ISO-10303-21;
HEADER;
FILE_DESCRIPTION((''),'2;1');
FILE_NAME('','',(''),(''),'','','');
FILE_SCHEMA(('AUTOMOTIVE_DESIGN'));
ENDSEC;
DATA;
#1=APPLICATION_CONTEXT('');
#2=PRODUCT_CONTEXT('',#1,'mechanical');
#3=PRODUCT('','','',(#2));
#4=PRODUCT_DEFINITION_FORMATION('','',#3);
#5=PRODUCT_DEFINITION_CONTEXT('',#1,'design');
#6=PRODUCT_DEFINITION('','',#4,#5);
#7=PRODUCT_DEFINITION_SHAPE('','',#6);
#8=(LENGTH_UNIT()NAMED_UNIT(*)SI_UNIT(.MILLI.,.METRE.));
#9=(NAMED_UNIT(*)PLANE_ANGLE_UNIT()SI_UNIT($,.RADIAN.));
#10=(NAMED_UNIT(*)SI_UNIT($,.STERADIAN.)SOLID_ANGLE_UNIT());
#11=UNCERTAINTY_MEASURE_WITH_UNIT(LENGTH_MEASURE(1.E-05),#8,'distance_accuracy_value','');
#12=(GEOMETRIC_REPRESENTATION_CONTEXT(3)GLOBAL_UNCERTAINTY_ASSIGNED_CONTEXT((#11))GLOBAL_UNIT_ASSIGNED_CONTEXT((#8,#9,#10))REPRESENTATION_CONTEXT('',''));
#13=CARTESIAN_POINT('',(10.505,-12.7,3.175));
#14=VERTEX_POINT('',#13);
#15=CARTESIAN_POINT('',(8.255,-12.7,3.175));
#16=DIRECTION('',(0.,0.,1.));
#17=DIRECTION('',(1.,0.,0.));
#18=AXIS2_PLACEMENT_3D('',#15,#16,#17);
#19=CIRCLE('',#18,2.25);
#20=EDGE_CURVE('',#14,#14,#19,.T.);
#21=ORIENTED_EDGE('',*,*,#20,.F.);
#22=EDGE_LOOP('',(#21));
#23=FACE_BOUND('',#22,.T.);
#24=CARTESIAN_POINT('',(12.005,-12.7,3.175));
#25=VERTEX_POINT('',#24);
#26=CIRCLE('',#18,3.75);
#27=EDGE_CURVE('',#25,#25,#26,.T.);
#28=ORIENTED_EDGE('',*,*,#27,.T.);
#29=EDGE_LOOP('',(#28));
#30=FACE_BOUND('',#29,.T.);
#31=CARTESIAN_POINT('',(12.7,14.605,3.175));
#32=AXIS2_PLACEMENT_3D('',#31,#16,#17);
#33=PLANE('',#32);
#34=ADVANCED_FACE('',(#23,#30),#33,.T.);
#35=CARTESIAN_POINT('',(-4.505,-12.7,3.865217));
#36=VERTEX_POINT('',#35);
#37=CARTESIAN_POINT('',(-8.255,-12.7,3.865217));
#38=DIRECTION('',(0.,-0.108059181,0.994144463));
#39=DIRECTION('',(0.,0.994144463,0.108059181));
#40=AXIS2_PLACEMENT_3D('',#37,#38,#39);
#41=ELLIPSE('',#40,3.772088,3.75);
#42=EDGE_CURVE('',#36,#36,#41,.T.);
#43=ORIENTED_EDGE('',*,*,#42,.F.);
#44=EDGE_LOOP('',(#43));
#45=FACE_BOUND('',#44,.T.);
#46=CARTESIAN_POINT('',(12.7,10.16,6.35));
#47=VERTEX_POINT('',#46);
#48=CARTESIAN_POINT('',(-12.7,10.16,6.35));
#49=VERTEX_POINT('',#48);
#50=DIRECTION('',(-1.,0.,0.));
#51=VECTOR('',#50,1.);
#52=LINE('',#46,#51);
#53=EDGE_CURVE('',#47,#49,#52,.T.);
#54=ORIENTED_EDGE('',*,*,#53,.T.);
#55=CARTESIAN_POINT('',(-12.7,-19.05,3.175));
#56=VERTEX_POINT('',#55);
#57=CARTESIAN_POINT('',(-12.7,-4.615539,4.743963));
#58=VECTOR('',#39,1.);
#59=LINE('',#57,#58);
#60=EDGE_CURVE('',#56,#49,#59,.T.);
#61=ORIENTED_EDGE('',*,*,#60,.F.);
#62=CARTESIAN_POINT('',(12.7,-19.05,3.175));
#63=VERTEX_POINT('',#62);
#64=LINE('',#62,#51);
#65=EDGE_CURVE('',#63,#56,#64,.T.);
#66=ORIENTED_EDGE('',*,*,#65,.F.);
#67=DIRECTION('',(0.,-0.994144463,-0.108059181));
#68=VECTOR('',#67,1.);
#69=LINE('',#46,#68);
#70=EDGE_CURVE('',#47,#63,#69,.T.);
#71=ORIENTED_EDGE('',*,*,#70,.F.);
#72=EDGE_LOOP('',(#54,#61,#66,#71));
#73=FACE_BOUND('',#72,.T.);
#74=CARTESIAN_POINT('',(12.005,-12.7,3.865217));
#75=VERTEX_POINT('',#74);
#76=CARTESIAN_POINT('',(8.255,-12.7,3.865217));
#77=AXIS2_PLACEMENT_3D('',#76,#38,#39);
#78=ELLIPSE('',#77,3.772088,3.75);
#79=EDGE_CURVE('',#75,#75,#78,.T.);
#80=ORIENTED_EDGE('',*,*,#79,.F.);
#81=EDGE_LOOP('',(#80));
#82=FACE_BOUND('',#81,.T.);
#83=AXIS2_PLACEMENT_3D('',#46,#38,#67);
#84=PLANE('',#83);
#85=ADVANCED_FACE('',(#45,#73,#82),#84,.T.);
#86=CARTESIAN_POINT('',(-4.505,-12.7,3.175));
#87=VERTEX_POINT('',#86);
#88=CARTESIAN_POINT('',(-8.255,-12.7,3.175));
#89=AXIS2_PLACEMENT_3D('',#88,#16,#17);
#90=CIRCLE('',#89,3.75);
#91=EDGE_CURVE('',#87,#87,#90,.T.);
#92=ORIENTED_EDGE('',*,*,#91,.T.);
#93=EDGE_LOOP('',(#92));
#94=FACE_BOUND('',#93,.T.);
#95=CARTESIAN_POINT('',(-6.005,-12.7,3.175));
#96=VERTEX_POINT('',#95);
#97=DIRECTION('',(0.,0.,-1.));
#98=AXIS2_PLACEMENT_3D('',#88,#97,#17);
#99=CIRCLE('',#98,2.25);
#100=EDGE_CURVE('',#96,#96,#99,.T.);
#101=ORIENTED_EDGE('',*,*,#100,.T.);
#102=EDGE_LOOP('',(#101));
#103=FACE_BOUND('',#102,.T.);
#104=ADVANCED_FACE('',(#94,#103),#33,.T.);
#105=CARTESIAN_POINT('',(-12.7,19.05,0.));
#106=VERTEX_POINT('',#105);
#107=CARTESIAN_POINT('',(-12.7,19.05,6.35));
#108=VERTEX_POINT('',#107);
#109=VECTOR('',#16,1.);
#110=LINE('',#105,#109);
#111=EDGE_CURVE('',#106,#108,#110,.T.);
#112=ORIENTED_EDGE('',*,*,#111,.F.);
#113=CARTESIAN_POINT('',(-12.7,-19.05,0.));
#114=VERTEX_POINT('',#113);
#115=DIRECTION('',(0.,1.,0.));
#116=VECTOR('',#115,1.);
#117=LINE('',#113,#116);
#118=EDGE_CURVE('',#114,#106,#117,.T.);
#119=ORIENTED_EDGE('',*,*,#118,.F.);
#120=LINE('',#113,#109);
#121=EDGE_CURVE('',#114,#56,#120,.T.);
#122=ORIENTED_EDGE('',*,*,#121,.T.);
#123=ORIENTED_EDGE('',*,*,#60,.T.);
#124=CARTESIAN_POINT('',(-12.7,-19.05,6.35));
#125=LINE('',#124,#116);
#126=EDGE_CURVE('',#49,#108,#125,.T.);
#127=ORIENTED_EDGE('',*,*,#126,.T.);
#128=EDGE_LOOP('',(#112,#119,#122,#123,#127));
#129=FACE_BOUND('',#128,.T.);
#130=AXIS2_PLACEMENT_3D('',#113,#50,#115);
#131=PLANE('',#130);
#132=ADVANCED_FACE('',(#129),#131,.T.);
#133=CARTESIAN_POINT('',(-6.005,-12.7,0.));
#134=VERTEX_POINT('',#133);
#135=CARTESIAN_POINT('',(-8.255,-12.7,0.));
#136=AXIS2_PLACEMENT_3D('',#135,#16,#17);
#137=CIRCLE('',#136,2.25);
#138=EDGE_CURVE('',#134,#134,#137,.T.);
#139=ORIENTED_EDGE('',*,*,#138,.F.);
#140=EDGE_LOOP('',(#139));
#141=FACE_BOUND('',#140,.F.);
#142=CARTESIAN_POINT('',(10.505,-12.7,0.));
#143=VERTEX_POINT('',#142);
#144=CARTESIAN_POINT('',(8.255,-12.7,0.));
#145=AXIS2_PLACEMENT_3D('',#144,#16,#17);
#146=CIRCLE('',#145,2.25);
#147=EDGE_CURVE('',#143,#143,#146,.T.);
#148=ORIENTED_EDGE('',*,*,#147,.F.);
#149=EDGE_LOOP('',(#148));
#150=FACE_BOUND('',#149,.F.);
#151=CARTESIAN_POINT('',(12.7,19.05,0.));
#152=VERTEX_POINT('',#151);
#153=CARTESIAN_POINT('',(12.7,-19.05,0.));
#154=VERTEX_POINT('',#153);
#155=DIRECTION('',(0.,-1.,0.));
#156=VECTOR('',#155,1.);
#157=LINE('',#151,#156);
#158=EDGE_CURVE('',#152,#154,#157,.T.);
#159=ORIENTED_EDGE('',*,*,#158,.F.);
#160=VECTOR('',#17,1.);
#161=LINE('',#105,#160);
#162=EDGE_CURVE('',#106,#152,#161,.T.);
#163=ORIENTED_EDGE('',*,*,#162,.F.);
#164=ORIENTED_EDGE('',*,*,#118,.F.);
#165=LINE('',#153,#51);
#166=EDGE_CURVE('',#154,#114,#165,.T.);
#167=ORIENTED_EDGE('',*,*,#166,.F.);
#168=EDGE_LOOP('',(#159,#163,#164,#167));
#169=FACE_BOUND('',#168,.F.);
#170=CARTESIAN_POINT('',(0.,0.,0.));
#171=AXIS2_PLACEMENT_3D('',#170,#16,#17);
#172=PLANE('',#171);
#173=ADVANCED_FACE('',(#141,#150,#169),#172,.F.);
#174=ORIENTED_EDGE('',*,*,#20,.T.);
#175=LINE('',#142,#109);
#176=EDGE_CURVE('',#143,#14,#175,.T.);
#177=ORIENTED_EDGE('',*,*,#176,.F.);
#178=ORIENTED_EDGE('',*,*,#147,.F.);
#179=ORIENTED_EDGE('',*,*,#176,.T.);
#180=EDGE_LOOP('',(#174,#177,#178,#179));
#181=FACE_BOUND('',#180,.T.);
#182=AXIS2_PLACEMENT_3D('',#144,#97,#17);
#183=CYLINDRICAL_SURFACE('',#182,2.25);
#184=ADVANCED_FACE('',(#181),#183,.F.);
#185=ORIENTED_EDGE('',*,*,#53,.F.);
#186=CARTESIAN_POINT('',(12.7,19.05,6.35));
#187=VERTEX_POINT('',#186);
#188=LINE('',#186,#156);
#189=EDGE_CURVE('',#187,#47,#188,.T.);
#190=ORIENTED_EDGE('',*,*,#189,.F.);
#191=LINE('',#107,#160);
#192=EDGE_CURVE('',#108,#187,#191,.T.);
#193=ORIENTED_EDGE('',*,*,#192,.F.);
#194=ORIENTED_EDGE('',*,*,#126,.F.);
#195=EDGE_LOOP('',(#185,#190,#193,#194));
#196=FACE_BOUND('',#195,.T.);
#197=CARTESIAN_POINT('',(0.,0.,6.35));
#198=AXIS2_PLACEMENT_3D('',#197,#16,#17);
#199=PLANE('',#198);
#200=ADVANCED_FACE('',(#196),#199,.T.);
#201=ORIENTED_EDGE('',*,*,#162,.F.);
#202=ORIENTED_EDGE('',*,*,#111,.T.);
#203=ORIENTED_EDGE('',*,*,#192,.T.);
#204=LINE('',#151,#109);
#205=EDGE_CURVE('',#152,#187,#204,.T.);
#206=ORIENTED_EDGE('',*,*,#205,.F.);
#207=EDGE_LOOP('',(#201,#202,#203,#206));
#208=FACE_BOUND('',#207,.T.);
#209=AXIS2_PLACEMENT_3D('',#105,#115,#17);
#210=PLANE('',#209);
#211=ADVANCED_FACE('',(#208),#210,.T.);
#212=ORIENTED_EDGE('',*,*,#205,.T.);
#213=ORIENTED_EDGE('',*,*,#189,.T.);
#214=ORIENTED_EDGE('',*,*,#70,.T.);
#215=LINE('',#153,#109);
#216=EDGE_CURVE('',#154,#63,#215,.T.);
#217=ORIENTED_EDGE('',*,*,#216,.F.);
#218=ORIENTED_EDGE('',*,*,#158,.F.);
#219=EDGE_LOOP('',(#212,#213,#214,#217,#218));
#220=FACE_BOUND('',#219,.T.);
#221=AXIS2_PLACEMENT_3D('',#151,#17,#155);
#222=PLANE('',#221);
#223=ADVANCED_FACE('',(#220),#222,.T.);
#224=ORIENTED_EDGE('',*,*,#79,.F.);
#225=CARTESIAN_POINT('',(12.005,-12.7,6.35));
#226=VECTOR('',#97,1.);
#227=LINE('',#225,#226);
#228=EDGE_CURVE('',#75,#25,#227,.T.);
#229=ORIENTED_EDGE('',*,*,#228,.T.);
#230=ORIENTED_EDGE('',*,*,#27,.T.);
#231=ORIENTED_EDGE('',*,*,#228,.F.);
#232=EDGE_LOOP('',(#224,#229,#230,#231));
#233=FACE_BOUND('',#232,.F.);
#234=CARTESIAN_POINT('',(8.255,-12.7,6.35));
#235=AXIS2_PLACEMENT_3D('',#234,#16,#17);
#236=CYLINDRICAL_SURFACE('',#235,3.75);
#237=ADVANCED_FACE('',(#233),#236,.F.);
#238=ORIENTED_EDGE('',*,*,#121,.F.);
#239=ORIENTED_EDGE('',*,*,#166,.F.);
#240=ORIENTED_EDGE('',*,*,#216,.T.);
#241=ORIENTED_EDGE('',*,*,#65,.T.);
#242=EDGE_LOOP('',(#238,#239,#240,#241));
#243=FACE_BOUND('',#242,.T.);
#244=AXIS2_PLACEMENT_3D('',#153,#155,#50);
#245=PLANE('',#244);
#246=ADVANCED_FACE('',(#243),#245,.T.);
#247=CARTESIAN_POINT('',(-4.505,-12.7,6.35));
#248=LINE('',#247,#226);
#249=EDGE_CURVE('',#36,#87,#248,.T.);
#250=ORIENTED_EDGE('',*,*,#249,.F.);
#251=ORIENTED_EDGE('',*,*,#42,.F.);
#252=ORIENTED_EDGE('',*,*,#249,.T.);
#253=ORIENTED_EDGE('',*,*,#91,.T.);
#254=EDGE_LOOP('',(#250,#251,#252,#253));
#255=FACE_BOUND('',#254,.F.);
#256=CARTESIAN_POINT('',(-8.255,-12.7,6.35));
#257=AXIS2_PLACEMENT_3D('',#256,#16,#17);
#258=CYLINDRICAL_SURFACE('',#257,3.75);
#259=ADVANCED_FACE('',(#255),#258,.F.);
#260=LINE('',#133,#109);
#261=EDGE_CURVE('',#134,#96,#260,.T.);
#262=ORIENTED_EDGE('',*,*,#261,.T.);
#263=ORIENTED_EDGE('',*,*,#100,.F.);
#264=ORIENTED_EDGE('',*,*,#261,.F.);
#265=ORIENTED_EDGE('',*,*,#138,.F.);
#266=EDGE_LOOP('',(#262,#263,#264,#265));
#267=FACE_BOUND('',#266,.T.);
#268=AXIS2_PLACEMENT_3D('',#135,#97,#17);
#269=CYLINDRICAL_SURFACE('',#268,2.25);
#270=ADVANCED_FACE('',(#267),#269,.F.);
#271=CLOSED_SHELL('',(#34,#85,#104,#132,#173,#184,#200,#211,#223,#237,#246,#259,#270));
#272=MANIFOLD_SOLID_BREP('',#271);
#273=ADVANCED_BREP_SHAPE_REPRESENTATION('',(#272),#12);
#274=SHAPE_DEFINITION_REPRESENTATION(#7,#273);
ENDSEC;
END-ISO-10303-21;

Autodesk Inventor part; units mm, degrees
ref_plane "YZ Plane" through (0, 0, 0) normal (1, 0, 0) x (0, 1, 0)
ref_plane "XZ Plane" through (0, 0, 0) normal (0, 1, 0) x (-1, 0, 0)
sketch "Sketch1" plane through (0, 0, 0) normal (0, 0, 1) x (1, 0, 0)
  line L0 (12.7, -19.05) -> (-12.7, -19.05)
  line L1 (-12.7, -19.05) -> (-12.7, 19.05)
  line L2 (-12.7, 19.05) -> (12.7, 19.05)
  line L3 (12.7, 19.05) -> (12.7, -19.05)
  line L4 (12.7, -19.05) -> (-12.7, 19.05) construction
  line L5 (-12.7, -19.05) -> (12.7, 19.05) construction
  circle A0 centre (-8.255, -12.7) radius 2.25
  circle A1 centre (8.255, -12.7) radius 2.25
  line L6 (0, 19.05) -> (0, -19.05) construction
  line L7 (-6.005, 19.05) -> (-6.005, -19.05) construction
  line L8 (6.005, 19.05) -> (6.005, -19.05) construction
  line L9 (-6.005, 19.05) -> (2.4874, 19.05) construction
  circle A2 centre (-8.255, -12.7) radius 3.75
  circle A3 centre (8.255, -12.7) radius 3.75
  point P0 (0, 0)
  point P1 (0, 13.045)
  dimension "d0" = 25.4
  dimension "d1" = 38.1
  dimension "d2" = 4.5
  dimension "d3" = 4.5
  dimension "d4" = 8.255
  dimension "d5" = 8.255
  dimension "d6" = 6.35
  dimension "d7" = 6.35
  dimension "d14" = 7.5
  dimension "d15" = 7.5
extrude "Extrusion1" add sketch "Sketch1" along normal blind 6.35 contours L0 L1 L2 L3 | A2 | A3
sketch "Sketch2" plane through (12.7, -19.05, 0) normal (1, 0, 0) x (0, 0, -1)
  line L0 (-6.35, 32.095) -> (-6.35, 38.1) projected
  line L1 (0, 38.1) -> (0, 0) projected
  line L2 (-6.35, 38.1) -> (0, 38.1)
  line L3 (0, 38.1) -> (0, 29.21)
  line L4 (0, 29.21) -> (-6.35, 29.21)
  line L5 (-6.35, 29.21) -> (-6.35, 38.1)
  line L6 (-6.35, 29.21) -> (-3.175, 0)
  line L7 (0, 0) -> (-6.35, 0) projected
  line L8 (-3.175, 0) -> (0, 0)
  line L9 (-6.35, 4.1) -> (0, 4.1) projected
  line L10 (0, 0) -> (0, 38.1) projected
  line L11 (0, 38.1) -> (-6.35, 38.1) projected
  line L12 (-6.35, 0) -> (-6.35, 38.1) projected
  line L13 (0, 0) -> (-6.35, 0) projected
  point P0 (0, 19.05)
  dimension "d11" = 8.89
extrude "Extrusion2" cut sketch "Sketch2" against normal through all contours L6 L9 L12 | L6 L7 L12 L9
ref_plane "Work Plane1" through (12.7, 14.605, 6.35) normal (0, 0, 1) x (1, 0, 0)
sketch "Sketch3" plane through (12.7, 14.605, 6.35) normal (0, 0, 1) x (1, 0, 0)
  line L0 (-25.4, -33.655) -> (-25.4, -4.445) projected
  line L1 (0, -33.655) -> (-25.4, -33.655) projected
  line L2 (0, -4.445) -> (0, -33.655) projected
  line L3 (-25.4, -4.445) -> (0, -4.445) projected
  circle A0 centre (-4.445, -27.305) radius 2.25 projected
  circle A1 centre (-20.955, -27.305) radius 2.25 projected
  circle A2 centre (-20.955, -27.305) radius 2.25 projected
  circle A3 centre (-20.955, -27.305) radius 3.75
  circle A4 centre (-4.445, -27.305) radius 3.75
  point P0 (-12.7, -14.605)
  dimension "d16" = 7.5
  dimension "d17" = 7.5
extrude "Extrusion3" cut sketch "Sketch3" against normal blind 3.175 contours A1 | A3 | A4
properties part number "Drone_Launcher_Stopper"
